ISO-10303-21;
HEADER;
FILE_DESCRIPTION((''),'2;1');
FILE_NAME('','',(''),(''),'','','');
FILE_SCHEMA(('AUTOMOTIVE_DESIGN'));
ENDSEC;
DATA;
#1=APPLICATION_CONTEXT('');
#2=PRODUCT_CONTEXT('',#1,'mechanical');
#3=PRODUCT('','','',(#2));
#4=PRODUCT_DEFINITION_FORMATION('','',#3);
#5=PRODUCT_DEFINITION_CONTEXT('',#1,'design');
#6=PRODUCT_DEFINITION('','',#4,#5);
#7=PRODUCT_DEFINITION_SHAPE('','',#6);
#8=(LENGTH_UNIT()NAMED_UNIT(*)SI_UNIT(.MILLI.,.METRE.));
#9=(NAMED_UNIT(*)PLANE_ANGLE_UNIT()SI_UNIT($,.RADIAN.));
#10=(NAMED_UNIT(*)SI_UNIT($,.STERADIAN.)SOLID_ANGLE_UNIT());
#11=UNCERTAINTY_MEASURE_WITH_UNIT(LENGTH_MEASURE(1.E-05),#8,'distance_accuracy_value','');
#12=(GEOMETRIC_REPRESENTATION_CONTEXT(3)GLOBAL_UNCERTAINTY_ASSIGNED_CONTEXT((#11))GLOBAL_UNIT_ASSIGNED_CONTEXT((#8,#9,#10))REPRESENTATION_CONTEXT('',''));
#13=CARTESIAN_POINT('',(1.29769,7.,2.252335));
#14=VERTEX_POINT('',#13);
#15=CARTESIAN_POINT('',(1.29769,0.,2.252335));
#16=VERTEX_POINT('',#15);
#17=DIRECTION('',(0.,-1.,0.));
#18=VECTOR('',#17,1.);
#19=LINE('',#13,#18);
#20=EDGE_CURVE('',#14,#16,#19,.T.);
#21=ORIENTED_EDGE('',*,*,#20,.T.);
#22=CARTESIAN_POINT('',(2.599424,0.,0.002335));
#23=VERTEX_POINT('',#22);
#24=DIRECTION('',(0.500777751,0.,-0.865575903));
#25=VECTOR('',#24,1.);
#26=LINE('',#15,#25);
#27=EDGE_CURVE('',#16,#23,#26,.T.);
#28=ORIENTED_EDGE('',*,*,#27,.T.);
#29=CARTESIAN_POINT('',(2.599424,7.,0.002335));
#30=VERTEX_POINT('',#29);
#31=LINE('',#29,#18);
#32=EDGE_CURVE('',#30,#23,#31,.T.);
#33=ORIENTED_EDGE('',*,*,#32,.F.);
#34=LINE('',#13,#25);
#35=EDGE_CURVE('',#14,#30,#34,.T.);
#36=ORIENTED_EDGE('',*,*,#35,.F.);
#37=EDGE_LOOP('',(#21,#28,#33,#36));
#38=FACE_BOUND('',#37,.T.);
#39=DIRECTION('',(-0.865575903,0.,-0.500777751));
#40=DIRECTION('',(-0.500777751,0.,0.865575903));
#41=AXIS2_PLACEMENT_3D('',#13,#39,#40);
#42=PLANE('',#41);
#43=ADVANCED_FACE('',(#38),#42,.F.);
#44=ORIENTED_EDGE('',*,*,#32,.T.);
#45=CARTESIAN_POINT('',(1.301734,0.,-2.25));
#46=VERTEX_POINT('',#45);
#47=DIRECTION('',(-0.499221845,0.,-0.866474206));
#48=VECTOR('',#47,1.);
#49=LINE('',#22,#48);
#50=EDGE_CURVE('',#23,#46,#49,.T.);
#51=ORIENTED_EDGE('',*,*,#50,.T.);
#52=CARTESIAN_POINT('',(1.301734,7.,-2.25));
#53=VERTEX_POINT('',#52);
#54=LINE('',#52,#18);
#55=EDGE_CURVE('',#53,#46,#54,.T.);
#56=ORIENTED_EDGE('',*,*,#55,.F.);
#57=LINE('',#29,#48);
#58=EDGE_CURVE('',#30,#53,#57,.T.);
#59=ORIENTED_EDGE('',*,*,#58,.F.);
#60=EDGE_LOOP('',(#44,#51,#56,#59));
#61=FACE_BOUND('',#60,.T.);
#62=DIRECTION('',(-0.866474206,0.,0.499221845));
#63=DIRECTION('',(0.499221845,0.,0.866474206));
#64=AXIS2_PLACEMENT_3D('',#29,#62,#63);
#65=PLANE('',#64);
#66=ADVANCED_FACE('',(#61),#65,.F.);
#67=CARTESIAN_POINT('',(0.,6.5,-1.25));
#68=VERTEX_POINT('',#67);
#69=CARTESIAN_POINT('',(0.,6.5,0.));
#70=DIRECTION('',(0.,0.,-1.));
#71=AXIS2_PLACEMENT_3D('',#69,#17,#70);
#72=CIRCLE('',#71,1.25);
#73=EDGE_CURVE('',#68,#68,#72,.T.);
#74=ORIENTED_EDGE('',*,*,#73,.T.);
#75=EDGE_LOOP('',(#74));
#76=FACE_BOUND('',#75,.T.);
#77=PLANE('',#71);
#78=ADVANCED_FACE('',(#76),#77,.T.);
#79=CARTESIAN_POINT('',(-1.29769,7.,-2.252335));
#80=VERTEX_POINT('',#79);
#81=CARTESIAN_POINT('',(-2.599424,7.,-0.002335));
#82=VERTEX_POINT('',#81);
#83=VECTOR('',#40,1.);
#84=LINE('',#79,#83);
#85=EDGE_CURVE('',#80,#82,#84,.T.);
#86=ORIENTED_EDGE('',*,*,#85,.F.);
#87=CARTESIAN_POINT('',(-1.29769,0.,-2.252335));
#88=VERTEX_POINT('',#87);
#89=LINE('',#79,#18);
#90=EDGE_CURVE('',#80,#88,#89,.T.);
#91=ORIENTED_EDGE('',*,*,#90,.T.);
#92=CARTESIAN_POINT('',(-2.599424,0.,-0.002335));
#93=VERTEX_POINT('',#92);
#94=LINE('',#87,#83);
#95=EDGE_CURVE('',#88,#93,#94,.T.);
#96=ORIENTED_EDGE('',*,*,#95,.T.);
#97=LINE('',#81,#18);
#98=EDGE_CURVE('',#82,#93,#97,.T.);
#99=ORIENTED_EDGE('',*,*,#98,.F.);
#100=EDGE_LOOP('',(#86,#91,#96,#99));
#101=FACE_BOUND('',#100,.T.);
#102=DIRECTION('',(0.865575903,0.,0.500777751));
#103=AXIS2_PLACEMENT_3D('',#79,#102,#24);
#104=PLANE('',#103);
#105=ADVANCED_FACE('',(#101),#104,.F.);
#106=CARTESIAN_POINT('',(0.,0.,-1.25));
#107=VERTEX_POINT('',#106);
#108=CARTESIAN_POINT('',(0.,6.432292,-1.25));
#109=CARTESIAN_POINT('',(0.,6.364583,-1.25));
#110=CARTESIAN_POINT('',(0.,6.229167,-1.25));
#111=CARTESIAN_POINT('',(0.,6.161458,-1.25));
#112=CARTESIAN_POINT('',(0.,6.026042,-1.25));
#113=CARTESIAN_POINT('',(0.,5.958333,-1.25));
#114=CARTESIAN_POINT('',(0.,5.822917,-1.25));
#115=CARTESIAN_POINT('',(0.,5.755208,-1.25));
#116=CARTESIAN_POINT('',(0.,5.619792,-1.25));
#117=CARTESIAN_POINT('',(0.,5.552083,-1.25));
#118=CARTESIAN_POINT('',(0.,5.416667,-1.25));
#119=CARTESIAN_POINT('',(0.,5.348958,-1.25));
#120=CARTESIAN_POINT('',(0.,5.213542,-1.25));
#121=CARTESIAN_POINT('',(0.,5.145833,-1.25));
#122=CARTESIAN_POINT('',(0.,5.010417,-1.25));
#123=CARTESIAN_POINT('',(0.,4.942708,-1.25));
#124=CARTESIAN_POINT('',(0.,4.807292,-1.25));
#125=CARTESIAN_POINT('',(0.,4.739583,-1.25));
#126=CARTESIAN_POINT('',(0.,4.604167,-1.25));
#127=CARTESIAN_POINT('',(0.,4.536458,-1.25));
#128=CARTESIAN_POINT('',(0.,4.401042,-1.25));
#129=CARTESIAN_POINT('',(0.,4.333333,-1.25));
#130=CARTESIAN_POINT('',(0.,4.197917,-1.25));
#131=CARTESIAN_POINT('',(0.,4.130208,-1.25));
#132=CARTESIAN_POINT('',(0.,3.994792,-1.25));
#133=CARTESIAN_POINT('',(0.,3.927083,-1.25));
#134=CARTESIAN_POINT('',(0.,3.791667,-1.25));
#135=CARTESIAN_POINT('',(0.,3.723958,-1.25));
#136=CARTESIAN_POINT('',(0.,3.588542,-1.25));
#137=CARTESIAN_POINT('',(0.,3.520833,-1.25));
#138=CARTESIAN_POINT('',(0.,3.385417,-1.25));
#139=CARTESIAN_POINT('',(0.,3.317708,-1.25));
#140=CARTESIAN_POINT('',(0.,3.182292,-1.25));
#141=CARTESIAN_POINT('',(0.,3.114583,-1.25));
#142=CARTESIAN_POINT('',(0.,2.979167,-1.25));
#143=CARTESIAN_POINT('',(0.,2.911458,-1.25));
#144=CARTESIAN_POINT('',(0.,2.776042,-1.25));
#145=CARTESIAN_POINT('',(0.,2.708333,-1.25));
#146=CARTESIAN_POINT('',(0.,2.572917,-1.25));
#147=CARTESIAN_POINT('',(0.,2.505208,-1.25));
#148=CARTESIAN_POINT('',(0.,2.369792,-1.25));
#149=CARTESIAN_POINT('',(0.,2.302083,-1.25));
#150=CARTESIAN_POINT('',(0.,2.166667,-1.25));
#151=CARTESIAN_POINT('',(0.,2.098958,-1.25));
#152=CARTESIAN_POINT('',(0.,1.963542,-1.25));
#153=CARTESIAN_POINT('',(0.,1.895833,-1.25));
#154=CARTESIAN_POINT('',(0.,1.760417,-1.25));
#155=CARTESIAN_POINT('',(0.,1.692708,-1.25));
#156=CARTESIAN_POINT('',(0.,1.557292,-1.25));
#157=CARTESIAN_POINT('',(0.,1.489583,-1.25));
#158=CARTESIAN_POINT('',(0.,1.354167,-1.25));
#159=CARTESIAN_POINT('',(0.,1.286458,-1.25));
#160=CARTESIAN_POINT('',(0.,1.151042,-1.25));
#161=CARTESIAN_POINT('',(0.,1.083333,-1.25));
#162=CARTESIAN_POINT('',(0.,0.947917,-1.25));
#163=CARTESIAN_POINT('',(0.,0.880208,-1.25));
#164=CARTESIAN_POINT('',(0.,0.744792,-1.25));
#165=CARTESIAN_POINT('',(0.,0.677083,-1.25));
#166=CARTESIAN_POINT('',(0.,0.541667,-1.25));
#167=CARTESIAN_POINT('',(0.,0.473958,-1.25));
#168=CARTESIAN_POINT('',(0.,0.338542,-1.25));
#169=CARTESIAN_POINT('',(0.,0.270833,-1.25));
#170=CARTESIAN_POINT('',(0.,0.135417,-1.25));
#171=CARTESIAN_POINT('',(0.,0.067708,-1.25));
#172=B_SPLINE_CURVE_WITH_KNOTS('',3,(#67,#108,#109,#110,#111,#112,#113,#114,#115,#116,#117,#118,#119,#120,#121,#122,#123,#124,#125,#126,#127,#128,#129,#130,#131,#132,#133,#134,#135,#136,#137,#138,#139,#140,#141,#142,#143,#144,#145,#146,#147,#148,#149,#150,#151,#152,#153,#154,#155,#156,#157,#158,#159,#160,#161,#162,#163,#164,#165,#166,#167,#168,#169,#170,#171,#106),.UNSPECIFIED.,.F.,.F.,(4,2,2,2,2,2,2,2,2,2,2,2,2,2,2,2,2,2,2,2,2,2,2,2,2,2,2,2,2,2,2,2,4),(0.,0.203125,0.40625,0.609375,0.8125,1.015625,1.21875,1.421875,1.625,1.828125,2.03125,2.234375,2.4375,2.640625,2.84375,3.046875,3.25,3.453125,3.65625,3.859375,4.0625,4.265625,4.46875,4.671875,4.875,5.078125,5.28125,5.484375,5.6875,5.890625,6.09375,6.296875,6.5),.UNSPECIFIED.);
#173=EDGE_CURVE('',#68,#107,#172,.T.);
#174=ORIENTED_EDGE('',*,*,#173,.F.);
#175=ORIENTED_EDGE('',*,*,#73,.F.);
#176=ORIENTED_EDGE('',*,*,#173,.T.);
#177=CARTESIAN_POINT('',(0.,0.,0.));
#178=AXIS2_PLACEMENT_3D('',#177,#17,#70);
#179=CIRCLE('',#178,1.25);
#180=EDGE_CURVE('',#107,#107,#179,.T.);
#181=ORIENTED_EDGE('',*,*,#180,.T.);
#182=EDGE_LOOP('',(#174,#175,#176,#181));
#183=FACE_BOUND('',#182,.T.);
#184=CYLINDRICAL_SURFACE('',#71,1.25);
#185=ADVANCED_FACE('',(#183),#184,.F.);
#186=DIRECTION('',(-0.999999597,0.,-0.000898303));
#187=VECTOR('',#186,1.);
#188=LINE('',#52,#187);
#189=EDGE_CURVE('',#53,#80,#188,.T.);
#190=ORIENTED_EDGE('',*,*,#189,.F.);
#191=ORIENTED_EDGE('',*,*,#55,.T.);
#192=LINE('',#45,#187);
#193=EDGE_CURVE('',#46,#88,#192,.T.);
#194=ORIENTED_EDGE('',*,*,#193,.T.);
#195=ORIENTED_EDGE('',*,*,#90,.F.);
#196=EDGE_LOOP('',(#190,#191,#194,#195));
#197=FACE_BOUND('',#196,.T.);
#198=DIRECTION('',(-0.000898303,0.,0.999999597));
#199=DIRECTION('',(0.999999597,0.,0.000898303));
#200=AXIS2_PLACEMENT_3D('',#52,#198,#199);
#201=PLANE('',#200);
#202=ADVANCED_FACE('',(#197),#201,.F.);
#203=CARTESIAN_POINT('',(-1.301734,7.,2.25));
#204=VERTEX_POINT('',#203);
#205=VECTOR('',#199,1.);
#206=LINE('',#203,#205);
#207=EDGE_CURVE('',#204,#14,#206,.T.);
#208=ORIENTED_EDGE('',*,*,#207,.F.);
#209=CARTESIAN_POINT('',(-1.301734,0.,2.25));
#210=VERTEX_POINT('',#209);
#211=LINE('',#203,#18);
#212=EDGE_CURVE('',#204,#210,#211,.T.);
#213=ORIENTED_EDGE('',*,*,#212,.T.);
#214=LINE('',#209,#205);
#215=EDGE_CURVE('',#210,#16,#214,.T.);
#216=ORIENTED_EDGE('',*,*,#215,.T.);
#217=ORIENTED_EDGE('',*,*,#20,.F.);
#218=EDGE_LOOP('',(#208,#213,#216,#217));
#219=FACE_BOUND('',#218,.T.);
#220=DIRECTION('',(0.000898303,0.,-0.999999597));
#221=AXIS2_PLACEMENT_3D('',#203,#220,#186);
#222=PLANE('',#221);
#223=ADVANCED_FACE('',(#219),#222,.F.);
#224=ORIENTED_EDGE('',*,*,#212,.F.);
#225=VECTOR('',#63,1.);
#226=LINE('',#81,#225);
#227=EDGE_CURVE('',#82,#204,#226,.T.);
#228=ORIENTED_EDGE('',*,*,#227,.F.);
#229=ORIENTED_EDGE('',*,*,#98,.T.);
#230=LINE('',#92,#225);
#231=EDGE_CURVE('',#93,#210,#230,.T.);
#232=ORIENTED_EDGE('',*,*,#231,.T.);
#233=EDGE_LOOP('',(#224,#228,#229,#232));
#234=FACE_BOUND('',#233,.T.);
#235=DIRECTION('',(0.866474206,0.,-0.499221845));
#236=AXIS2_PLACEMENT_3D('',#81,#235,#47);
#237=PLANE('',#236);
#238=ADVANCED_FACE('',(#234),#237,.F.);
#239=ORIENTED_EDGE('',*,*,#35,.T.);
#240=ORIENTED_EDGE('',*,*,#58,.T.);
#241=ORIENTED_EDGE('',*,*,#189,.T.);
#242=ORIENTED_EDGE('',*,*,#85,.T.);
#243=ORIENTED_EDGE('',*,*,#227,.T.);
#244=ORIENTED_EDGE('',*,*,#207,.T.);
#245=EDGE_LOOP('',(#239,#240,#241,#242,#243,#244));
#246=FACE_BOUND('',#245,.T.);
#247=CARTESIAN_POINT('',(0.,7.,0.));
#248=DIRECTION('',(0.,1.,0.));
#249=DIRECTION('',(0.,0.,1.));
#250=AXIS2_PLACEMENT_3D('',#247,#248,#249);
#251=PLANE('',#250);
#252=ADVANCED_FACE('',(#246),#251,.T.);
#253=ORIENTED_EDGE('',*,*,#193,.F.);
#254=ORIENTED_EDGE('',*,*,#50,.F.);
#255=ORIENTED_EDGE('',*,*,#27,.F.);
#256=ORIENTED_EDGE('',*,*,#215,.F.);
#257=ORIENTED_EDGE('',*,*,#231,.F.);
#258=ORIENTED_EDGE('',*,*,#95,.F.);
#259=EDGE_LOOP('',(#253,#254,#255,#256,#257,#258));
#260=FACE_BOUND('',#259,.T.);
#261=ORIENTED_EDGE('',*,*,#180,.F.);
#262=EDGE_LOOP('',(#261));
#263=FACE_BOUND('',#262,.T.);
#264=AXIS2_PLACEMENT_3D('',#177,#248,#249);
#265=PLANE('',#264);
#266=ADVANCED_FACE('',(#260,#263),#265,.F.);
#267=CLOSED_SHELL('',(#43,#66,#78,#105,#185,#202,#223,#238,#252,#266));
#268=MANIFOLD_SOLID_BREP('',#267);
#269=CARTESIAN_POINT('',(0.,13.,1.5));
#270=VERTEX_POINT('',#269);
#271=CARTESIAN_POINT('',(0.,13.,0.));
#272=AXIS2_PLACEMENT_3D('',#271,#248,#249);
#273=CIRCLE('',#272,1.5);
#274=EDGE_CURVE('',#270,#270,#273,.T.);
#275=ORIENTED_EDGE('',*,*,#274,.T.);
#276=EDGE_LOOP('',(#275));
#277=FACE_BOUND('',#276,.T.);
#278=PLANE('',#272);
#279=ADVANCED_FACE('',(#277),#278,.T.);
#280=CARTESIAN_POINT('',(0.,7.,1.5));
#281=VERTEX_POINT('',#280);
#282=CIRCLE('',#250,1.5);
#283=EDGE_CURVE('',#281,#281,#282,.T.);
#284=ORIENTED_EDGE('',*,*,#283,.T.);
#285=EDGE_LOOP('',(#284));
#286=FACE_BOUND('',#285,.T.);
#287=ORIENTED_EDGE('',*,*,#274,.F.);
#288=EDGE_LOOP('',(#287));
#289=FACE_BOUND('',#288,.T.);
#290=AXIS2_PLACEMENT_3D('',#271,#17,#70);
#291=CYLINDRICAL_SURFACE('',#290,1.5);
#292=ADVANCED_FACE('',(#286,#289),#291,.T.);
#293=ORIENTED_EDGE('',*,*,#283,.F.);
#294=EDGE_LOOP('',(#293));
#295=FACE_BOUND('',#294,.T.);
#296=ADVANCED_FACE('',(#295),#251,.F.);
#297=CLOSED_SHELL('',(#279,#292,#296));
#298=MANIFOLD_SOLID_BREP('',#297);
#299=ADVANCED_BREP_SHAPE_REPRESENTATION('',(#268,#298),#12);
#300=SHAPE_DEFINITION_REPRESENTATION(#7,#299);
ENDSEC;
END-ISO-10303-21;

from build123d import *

# Parameters (mm, degrees)
EXTRUDE_1_DEPTH     = 7
SKETCH_2_R          = 1.25
CUT_EXTRUDE_1_DEPTH = 6.5
SKETCH_3_R          = 1.5
EXTRUDE_2_DEPTH     = 6


with BuildPart() as part:
    # Эскиз1 → Бобышка-Вытянуть1 (new body)
    with BuildSketch(Plane(origin=(0, 0, 0), x_dir=(1, 0, 0), z_dir=(0, 1, 0))):
        Polygon((-1.301734413, -2.25), (1.297689952, -2.252335071), (2.599424365, -0.002335071), (1.301734413, 2.25), (-1.297689952, 2.252335071), (-2.599424365, 0.002335071), align=None)
    extrude(amount=EXTRUDE_1_DEPTH)

    # Эскиз2 → Вырез-Вытянуть1 (cut)
    with BuildSketch(Plane.XZ):
        with Locations(Location((0, 0, 0), (0, 0, 270))):
            Circle(SKETCH_2_R)
    extrude(amount=-CUT_EXTRUDE_1_DEPTH, mode=Mode.SUBTRACT)


with BuildPart() as body_2:
    # Эскиз3 → Бобышка-Вытянуть2 (new body)
    with BuildSketch(Plane(origin=(0, 7, 0), x_dir=(1, 0, 0), z_dir=(0, 1, 0))):
        with Locations(Location((0, 0, 0), (0, 0, 270))):
            Circle(SKETCH_3_R)
    extrude(amount=EXTRUDE_2_DEPTH)


solid = Compound([part.part, body_2.part])
